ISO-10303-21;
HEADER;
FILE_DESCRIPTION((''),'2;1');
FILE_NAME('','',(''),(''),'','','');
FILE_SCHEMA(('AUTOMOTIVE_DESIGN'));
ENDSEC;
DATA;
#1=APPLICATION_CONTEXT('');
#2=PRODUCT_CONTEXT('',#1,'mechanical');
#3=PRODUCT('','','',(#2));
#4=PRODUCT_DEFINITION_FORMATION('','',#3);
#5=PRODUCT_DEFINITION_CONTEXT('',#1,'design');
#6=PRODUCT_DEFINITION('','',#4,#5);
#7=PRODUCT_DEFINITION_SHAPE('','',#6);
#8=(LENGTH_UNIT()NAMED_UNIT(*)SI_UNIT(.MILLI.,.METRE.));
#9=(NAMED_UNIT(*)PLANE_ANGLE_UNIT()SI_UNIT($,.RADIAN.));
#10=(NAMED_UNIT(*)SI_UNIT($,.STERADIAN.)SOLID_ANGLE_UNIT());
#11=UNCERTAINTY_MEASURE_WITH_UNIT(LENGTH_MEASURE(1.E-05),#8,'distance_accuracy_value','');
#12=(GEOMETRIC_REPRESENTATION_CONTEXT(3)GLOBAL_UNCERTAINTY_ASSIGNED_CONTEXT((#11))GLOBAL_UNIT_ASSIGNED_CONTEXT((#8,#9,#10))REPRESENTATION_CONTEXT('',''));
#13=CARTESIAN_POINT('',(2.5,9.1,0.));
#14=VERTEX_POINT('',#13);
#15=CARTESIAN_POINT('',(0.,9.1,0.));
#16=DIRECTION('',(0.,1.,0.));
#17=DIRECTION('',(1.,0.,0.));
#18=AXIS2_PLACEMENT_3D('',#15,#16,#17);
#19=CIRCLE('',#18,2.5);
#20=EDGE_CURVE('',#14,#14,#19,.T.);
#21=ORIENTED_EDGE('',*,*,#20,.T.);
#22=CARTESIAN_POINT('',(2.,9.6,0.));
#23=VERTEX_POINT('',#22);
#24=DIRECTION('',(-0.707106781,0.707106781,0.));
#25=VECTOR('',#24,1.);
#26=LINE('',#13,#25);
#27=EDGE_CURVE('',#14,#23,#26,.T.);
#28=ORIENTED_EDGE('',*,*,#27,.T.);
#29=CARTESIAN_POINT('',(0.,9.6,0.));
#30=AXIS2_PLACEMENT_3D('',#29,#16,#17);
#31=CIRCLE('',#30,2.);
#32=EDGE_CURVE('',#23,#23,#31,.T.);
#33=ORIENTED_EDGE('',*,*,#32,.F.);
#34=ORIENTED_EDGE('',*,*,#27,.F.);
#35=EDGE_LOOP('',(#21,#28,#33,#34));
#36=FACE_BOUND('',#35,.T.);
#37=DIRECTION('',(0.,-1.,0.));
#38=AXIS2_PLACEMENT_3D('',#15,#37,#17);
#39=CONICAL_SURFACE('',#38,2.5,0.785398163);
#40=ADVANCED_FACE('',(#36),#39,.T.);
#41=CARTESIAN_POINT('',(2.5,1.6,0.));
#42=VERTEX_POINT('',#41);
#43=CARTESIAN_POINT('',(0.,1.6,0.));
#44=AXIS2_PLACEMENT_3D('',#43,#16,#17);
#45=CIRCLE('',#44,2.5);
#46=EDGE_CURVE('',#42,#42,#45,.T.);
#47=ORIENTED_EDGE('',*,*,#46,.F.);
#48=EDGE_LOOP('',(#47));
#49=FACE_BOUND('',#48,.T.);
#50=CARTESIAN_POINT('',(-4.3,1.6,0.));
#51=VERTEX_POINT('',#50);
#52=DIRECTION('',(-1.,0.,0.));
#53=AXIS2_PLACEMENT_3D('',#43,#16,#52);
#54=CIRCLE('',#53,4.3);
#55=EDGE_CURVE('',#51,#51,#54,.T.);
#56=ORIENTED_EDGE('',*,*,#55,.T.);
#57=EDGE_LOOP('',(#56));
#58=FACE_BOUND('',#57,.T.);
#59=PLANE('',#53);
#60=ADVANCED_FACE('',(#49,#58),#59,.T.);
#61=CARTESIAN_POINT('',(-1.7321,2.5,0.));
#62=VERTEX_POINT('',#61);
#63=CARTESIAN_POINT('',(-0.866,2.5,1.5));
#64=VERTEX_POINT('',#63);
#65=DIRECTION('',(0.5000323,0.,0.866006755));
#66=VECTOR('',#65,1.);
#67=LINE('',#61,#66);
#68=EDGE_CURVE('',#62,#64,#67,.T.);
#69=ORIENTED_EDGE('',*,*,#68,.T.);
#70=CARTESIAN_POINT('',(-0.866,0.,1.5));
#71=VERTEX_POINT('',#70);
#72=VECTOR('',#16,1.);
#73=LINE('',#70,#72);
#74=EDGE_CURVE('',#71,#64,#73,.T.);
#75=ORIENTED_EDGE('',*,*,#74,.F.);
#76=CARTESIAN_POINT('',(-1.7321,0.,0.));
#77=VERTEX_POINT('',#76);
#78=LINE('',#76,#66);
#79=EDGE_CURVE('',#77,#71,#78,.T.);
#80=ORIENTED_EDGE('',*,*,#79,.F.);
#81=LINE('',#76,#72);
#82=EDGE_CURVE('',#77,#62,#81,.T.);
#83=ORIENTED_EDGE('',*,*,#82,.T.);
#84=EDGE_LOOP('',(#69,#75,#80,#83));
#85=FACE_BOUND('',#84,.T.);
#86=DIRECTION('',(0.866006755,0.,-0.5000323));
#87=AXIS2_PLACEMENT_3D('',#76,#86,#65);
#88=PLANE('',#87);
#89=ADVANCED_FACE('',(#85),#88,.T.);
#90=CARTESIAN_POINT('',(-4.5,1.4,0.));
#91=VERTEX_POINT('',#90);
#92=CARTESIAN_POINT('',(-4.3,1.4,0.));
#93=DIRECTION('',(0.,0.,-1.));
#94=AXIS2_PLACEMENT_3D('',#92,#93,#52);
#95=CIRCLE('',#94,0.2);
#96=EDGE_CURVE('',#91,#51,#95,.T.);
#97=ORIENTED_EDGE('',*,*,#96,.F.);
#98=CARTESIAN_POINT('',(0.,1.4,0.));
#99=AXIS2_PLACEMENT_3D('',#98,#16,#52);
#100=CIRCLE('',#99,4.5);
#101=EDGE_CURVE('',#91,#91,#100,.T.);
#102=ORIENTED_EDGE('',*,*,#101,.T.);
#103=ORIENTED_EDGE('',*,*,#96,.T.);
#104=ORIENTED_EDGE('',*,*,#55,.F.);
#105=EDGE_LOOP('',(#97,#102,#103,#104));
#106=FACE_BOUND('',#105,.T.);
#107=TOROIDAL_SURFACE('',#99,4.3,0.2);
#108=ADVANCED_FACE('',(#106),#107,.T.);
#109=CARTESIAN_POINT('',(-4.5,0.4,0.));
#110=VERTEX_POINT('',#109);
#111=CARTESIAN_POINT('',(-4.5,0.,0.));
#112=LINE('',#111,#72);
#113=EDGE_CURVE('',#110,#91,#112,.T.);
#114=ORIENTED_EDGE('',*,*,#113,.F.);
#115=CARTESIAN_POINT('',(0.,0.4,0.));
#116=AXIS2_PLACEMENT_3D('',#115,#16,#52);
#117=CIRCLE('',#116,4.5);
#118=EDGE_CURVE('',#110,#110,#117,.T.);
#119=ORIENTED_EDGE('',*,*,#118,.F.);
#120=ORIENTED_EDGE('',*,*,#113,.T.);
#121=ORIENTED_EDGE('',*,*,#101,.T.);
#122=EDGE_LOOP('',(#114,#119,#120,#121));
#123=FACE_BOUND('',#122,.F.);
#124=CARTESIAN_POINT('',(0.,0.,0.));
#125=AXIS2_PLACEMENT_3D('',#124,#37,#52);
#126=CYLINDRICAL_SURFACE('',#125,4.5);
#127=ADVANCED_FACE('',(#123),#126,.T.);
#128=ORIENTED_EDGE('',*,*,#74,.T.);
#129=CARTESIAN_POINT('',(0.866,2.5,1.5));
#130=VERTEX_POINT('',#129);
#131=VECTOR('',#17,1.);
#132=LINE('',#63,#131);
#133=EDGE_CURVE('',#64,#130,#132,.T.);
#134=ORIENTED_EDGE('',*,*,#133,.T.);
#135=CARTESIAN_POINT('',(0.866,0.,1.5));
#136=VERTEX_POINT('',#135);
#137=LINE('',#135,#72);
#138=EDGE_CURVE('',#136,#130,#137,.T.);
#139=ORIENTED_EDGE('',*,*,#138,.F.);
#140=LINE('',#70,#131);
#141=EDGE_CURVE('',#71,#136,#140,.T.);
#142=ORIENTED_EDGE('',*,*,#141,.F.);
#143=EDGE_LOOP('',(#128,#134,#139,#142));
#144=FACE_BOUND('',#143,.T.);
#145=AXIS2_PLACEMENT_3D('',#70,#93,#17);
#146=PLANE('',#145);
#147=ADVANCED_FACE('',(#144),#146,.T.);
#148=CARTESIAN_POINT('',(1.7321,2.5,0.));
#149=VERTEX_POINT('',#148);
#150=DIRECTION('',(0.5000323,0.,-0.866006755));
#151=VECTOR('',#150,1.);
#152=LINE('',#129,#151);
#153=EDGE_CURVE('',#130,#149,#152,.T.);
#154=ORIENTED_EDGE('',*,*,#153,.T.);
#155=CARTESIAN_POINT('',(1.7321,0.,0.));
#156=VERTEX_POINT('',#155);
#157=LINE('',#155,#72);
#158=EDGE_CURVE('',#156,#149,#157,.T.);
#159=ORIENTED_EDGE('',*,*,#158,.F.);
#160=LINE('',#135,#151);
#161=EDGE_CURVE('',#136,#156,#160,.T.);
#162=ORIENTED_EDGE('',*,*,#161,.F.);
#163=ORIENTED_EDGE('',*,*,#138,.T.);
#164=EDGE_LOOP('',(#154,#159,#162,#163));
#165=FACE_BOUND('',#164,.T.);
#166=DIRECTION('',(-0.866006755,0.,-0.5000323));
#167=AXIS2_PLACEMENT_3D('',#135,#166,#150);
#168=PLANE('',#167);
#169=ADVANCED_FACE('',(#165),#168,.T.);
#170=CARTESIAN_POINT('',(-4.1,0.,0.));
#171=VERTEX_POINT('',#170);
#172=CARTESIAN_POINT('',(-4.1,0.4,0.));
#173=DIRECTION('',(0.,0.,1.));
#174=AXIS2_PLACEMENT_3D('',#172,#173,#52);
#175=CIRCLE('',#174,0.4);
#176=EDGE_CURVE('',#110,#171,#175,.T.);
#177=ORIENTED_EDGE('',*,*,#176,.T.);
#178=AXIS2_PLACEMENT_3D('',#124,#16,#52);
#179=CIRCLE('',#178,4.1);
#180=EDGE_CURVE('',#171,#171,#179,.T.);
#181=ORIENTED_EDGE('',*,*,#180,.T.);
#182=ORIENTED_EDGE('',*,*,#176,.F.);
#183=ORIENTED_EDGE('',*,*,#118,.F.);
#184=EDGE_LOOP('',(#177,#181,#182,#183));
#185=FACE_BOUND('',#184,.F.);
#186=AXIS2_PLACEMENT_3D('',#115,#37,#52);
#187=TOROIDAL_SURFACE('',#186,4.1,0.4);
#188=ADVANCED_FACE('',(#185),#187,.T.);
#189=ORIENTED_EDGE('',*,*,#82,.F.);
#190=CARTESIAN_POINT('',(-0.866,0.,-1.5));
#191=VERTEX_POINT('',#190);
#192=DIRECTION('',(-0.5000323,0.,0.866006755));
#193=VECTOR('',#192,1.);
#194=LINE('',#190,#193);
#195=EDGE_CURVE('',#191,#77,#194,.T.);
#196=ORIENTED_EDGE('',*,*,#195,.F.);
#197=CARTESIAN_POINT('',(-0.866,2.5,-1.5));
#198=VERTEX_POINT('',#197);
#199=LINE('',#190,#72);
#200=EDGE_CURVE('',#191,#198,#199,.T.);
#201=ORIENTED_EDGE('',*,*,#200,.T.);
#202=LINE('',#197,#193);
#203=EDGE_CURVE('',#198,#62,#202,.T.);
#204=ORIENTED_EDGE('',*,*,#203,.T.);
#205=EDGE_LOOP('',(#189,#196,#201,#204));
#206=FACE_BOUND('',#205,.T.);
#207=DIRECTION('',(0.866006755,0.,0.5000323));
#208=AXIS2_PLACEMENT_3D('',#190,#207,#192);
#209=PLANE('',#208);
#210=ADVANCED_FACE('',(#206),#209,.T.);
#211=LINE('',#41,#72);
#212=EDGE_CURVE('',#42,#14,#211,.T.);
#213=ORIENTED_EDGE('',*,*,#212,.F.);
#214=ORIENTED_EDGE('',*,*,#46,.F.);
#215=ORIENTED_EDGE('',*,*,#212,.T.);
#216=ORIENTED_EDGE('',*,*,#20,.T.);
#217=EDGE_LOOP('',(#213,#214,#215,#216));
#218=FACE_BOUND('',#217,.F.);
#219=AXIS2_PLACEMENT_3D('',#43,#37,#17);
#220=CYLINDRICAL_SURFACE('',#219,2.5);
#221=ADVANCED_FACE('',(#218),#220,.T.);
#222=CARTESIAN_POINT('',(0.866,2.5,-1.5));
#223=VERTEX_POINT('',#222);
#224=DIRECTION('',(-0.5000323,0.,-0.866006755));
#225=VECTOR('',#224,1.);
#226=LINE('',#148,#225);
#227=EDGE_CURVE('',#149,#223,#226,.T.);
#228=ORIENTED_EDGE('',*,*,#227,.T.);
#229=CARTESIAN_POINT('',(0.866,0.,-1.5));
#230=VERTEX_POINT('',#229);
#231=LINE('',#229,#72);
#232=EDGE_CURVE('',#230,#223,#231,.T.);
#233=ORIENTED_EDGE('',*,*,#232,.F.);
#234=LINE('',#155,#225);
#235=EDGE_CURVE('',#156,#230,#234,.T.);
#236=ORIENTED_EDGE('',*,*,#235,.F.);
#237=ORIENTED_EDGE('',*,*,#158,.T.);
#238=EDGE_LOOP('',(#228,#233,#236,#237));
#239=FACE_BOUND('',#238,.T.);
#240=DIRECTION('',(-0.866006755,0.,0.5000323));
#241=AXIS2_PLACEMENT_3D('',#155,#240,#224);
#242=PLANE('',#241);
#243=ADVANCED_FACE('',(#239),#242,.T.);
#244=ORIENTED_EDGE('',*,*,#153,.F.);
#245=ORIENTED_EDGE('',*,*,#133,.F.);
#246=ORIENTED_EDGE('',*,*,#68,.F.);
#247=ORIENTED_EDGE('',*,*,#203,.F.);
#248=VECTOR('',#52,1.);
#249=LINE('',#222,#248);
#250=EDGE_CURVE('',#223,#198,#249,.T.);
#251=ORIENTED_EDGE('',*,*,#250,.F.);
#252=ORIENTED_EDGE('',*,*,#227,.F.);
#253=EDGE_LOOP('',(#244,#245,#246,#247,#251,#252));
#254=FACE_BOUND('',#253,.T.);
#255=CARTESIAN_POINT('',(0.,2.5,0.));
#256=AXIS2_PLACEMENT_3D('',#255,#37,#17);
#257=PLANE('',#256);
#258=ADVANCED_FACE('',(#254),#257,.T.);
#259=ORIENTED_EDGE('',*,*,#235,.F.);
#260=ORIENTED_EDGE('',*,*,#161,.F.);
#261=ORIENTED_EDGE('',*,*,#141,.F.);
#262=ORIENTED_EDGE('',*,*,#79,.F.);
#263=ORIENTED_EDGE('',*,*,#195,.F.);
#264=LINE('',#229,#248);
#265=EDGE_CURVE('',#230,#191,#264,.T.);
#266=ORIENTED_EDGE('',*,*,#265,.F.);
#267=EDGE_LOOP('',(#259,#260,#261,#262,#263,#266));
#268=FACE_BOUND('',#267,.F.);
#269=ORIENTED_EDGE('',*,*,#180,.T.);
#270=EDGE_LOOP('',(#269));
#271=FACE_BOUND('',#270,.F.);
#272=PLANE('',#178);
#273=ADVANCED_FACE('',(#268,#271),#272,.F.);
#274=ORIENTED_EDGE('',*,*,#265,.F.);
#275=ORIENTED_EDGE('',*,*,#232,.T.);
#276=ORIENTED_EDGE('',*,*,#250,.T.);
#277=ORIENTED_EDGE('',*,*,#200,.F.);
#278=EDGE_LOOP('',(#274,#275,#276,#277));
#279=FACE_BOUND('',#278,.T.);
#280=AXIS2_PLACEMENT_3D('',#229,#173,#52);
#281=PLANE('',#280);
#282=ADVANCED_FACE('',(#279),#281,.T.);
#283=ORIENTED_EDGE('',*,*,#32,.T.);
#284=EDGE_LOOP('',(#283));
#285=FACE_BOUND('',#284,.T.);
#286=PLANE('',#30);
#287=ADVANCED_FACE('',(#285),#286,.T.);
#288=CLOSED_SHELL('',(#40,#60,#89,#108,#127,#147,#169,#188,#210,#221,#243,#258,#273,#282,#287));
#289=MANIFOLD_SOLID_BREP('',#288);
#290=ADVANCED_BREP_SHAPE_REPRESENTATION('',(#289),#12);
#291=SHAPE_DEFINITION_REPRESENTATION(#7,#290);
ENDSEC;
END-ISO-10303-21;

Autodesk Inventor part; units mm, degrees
ref_plane "YZ Plane" through (0, 0, 0) normal (1, 0, 0) x (0, 1, 0)
ref_plane "XZ Plane" through (0, 0, 0) normal (0, 1, 0) x (-1, 0, 0)
ref_plane "XY Plane" through (0, 0, 0) normal (0, 0, 1) x (1, 0, 0)
sketch "Boceto1" plane through (0, 0, 0) normal (0, 1, 0) x (-1, 0, 0)
  circle A0 centre (0, 0) radius 4.5
  dimension "d0" = 9
extrude "Extrusión1" add sketch "Boceto1" along normal blind 1.6
sketch "Boceto2" plane through (0, 1.6, 0) normal (0, 1, 0) x (1, 0, 0)
  circle A0 centre (0, 0) radius 2.5
  dimension "d3" = 5
extrude "Extrusión2" add sketch "Boceto2" along normal blind 8
fillet "Empalme1" radius 0.4 1 edges at (4.5, 0, 0)
fillet "Empalme2" radius 0.2 1 edges at (4.5, 1.6, 0)
sketch "Boceto3" plane through (0, 0, 0) normal (0, -1, 0) x (1, 0, 0)
  line L0 (-1.7321, 0) -> (-0.866, 1.5)
  line L1 (-0.866, 1.5) -> (0.866, 1.5)
  line L2 (0.866, 1.5) -> (1.7321, 0)
  line L3 (1.7321, 0) -> (0.866, -1.5)
  line L4 (0.866, -1.5) -> (-0.866, -1.5)
  line L5 (-0.866, -1.5) -> (-1.7321, 0)
  point P0 (0, 0)
  point P1 (0, 0)
  dimension "d8" = 3
extrude "Extrusión3" cut sketch "Boceto3" against normal blind 2.5
chamfer "Chaflán1" distance 0.5 angle 45 1 edges at (-2.5, 9.6, 0)
thread "Rosca2" size "M5x0.8" class "6g" standard "ANSI Metric M Profile" length 12 offset 3
properties part number "Perno M5x8cabeza plana_" material "Hierro, gris"
